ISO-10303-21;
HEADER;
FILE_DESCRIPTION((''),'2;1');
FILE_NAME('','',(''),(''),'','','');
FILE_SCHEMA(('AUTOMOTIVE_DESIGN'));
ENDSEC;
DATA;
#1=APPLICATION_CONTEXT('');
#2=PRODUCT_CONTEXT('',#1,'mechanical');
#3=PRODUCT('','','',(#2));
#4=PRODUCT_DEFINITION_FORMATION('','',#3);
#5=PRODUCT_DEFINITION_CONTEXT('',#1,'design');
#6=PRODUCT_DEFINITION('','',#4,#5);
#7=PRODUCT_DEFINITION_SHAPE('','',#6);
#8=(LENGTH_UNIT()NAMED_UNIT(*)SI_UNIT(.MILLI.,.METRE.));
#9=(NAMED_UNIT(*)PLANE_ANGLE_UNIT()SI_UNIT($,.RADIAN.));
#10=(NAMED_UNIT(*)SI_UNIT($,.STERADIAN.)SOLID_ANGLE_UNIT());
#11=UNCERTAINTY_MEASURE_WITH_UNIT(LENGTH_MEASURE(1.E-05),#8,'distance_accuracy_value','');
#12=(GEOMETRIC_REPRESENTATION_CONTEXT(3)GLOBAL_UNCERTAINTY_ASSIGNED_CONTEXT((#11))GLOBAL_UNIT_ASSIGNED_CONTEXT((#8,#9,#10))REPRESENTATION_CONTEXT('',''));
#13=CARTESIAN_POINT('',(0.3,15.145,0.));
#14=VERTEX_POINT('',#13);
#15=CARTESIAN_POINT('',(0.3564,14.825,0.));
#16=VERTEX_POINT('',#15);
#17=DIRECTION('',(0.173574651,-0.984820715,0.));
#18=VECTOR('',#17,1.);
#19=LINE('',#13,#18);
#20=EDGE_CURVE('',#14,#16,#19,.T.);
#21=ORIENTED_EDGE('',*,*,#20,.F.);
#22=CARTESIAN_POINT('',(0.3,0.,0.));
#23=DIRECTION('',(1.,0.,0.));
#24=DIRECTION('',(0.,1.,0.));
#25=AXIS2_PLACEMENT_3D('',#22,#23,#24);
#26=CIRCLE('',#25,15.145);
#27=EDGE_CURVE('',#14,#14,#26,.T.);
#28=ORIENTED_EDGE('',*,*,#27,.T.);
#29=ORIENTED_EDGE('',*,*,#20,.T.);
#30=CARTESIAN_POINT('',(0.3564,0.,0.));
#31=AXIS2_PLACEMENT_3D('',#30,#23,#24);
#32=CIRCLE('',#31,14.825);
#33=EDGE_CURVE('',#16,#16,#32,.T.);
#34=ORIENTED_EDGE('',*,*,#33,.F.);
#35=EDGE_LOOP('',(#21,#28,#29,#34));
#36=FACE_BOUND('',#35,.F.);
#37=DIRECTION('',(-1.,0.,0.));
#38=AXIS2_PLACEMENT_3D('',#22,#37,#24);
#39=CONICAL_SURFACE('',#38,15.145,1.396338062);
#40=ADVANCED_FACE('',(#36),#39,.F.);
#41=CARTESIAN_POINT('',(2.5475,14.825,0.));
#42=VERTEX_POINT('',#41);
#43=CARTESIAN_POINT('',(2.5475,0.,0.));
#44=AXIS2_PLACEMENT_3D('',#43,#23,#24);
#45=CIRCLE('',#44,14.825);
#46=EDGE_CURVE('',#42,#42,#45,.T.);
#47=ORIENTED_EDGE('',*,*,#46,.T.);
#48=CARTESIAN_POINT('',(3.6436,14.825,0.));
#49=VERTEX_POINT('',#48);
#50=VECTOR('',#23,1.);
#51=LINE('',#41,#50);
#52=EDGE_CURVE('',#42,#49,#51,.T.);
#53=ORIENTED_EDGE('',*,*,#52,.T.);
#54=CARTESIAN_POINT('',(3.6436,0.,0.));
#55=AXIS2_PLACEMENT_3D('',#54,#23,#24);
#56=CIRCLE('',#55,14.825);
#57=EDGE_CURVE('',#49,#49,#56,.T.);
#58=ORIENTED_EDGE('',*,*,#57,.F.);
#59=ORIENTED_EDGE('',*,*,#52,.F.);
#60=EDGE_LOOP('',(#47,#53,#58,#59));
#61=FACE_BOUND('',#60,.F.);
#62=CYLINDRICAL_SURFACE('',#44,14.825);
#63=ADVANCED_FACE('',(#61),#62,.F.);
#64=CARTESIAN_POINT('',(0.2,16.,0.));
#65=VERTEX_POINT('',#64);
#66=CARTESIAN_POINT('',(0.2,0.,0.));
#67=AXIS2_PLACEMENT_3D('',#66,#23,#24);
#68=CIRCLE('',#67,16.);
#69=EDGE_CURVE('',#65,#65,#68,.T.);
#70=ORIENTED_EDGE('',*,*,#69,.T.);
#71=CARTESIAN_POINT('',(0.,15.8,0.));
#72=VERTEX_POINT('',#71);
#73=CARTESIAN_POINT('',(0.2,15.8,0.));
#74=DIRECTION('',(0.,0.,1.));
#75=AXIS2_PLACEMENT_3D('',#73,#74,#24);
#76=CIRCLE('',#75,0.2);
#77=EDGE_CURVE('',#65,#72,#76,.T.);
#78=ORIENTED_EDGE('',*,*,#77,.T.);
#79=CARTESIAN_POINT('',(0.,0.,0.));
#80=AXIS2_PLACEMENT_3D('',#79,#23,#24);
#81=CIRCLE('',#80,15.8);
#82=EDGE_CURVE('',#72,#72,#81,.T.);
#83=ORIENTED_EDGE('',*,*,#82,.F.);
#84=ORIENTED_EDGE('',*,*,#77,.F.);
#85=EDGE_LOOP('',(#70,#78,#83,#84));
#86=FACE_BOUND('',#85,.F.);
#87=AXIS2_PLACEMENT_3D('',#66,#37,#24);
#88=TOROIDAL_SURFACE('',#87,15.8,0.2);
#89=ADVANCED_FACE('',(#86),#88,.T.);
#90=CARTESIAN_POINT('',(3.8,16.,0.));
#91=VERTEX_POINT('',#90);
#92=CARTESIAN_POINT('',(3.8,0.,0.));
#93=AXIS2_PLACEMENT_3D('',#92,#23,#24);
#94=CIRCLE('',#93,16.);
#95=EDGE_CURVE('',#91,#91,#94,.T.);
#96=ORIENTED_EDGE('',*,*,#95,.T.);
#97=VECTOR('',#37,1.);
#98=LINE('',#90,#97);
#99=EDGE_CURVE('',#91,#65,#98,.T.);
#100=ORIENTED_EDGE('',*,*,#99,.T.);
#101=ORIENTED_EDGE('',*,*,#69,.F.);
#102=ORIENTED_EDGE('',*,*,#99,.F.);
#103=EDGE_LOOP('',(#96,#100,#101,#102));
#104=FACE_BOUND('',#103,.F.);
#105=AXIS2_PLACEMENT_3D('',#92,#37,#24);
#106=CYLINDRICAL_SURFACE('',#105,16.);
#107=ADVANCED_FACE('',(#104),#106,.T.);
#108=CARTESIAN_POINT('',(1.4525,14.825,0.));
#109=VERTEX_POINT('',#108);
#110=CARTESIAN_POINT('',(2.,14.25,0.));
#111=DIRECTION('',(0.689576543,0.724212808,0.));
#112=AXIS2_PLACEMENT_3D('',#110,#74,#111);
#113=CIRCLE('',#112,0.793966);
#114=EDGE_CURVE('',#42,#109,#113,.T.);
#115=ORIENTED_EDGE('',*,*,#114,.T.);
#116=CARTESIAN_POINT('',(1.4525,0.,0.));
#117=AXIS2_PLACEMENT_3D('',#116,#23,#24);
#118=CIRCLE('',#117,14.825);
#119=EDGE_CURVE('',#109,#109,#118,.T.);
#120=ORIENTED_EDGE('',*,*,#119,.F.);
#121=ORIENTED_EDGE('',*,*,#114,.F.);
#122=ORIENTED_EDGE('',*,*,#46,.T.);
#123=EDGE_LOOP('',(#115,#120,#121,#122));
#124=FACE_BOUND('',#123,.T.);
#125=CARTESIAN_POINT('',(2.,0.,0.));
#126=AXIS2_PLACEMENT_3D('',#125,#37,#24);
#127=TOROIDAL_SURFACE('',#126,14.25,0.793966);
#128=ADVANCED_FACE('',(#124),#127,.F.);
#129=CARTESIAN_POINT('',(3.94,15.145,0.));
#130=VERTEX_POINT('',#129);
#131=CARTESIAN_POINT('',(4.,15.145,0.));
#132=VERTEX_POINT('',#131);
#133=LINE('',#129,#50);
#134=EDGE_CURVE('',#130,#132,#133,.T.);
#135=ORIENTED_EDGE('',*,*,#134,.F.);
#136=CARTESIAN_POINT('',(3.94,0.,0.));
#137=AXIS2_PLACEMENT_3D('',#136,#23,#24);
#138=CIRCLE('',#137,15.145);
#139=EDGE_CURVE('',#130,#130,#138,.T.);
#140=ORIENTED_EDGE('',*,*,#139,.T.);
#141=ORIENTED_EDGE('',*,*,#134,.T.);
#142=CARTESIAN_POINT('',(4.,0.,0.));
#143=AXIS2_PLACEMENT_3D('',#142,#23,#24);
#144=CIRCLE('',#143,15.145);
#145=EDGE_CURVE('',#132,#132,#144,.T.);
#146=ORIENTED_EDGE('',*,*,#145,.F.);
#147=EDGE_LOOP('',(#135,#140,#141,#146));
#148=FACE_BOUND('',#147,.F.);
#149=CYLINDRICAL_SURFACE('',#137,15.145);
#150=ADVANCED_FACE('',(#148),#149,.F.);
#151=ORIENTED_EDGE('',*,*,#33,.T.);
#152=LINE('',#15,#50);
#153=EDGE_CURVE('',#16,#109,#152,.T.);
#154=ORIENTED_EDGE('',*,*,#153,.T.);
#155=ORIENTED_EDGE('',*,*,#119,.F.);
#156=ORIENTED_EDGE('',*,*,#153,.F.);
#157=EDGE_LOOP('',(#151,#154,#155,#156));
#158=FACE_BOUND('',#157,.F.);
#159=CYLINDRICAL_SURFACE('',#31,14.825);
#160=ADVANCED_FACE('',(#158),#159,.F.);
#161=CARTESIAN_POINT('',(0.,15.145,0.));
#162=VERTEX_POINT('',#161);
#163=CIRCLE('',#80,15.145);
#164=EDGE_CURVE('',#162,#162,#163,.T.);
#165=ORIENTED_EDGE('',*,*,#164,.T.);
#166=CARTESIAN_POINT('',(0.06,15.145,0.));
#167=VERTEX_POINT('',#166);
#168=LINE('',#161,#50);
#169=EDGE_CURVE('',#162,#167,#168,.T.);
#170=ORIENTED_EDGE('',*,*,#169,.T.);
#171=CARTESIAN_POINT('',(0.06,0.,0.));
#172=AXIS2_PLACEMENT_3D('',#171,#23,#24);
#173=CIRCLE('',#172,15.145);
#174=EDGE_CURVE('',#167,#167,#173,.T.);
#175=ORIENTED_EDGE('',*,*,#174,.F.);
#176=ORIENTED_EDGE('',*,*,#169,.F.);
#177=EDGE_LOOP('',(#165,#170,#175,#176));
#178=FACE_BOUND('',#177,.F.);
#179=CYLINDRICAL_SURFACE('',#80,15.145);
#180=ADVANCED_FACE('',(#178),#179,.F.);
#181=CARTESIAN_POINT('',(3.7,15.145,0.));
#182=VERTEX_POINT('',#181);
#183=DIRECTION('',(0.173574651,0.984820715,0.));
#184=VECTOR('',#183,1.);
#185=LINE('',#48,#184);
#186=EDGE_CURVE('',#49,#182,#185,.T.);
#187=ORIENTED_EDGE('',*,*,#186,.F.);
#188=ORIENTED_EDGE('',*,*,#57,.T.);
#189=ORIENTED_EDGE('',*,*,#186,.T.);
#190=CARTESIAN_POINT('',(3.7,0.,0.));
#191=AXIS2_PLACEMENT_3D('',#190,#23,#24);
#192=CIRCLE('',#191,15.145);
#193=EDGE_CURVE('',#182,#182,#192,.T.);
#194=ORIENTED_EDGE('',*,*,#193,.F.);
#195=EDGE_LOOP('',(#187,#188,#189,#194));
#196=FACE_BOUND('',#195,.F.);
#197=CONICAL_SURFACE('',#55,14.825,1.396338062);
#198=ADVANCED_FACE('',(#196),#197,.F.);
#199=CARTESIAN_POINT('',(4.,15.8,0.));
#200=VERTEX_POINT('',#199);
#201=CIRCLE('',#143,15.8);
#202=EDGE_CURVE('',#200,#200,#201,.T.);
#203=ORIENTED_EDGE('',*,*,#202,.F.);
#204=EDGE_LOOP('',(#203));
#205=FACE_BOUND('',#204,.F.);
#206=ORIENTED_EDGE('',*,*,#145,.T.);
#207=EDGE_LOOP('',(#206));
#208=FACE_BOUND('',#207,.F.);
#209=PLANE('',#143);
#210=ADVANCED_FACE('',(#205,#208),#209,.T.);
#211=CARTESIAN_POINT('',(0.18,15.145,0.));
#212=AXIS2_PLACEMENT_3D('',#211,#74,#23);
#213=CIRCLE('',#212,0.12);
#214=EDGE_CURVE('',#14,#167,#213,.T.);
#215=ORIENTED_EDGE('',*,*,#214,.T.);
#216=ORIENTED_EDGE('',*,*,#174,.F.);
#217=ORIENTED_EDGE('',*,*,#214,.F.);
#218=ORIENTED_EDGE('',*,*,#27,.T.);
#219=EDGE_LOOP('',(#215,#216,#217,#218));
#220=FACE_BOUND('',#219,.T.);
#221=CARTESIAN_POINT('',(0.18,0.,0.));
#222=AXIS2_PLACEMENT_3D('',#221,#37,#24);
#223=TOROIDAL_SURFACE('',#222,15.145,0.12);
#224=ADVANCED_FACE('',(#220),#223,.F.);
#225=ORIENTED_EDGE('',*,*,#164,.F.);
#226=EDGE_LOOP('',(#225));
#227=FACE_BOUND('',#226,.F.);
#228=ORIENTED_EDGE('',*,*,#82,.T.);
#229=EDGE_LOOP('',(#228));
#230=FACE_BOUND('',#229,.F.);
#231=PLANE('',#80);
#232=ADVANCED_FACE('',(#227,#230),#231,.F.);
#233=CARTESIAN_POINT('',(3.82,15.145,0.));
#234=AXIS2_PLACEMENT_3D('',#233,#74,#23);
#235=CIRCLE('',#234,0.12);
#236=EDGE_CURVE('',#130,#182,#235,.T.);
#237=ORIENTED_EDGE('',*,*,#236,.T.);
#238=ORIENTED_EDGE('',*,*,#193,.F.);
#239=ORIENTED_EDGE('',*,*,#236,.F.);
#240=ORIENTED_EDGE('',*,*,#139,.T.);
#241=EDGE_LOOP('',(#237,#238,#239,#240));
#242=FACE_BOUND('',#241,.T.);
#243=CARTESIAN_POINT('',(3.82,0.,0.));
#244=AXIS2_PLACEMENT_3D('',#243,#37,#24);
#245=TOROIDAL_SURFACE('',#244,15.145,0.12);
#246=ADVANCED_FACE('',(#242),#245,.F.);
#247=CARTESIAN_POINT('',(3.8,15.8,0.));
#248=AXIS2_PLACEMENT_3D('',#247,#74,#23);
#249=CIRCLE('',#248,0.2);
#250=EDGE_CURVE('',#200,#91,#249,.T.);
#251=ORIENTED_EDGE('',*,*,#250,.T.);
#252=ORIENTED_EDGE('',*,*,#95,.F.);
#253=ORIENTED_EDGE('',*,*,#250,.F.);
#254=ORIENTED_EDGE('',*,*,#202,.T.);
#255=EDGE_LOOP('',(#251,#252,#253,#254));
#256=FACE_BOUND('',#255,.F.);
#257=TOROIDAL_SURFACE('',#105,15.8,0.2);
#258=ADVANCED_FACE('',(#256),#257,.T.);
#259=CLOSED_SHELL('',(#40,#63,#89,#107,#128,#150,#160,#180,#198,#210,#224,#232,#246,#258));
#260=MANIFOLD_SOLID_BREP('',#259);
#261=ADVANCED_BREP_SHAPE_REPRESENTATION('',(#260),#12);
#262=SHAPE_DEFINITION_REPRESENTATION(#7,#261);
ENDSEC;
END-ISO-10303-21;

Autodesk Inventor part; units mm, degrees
ref_plane "YZ Plane" through (0, 0, 0) normal (1, 0, 0) x (0, 1, 0)
ref_plane "XZ Plane" through (0, 0, 0) normal (0, 1, 0) x (-1, 0, 0)
ref_plane "XY Plane" through (0, 0, 0) normal (0, 0, 1) x (1, 0, 0)
sketch "Sketch_16" plane through (0, 0, 0) normal (0, 0, 1) x (1, 0, 0)
  line L0 (50, 0) -> (-50, 0)
  line L1 (0, 15.145) -> (0.06, 15.145)
  arc A0 (0.3, 15.145) -> (0.06, 15.145) centre (0.18, 15.145) ccw
  line L2 (0.3, 15.145) -> (0.3564, 14.825)
  line L3 (0.3564, 14.825) -> (1.4525, 14.825)
  arc A1 (2.5475, 14.825) -> (1.4525, 14.825) centre (2, 14.25) ccw
  line L4 (2.5475, 14.825) -> (3.6436, 14.825)
  line L5 (3.6436, 14.825) -> (3.7, 15.145)
  arc A2 (3.94, 15.145) -> (3.7, 15.145) centre (3.82, 15.145) ccw
  line L6 (3.94, 15.145) -> (4, 15.145)
  line L7 (4, 15.145) -> (4, 15.8)
  arc A3 (4, 15.8) -> (3.8, 16) centre (3.8, 15.8) ccw
  line L8 (3.8, 16) -> (0.2, 16)
  arc A4 (0.2, 16) -> (0, 15.8) centre (0.2, 15.8) ccw
  line L9 (0, 15.8) -> (0, 15.145)
revolve "Revolution1" add sketch "Sketch_16" angle 360 about axis through (50, 0, 0) along (1, 0, 0)
properties part number "SKF_W 61705-2RS1_PART2"
